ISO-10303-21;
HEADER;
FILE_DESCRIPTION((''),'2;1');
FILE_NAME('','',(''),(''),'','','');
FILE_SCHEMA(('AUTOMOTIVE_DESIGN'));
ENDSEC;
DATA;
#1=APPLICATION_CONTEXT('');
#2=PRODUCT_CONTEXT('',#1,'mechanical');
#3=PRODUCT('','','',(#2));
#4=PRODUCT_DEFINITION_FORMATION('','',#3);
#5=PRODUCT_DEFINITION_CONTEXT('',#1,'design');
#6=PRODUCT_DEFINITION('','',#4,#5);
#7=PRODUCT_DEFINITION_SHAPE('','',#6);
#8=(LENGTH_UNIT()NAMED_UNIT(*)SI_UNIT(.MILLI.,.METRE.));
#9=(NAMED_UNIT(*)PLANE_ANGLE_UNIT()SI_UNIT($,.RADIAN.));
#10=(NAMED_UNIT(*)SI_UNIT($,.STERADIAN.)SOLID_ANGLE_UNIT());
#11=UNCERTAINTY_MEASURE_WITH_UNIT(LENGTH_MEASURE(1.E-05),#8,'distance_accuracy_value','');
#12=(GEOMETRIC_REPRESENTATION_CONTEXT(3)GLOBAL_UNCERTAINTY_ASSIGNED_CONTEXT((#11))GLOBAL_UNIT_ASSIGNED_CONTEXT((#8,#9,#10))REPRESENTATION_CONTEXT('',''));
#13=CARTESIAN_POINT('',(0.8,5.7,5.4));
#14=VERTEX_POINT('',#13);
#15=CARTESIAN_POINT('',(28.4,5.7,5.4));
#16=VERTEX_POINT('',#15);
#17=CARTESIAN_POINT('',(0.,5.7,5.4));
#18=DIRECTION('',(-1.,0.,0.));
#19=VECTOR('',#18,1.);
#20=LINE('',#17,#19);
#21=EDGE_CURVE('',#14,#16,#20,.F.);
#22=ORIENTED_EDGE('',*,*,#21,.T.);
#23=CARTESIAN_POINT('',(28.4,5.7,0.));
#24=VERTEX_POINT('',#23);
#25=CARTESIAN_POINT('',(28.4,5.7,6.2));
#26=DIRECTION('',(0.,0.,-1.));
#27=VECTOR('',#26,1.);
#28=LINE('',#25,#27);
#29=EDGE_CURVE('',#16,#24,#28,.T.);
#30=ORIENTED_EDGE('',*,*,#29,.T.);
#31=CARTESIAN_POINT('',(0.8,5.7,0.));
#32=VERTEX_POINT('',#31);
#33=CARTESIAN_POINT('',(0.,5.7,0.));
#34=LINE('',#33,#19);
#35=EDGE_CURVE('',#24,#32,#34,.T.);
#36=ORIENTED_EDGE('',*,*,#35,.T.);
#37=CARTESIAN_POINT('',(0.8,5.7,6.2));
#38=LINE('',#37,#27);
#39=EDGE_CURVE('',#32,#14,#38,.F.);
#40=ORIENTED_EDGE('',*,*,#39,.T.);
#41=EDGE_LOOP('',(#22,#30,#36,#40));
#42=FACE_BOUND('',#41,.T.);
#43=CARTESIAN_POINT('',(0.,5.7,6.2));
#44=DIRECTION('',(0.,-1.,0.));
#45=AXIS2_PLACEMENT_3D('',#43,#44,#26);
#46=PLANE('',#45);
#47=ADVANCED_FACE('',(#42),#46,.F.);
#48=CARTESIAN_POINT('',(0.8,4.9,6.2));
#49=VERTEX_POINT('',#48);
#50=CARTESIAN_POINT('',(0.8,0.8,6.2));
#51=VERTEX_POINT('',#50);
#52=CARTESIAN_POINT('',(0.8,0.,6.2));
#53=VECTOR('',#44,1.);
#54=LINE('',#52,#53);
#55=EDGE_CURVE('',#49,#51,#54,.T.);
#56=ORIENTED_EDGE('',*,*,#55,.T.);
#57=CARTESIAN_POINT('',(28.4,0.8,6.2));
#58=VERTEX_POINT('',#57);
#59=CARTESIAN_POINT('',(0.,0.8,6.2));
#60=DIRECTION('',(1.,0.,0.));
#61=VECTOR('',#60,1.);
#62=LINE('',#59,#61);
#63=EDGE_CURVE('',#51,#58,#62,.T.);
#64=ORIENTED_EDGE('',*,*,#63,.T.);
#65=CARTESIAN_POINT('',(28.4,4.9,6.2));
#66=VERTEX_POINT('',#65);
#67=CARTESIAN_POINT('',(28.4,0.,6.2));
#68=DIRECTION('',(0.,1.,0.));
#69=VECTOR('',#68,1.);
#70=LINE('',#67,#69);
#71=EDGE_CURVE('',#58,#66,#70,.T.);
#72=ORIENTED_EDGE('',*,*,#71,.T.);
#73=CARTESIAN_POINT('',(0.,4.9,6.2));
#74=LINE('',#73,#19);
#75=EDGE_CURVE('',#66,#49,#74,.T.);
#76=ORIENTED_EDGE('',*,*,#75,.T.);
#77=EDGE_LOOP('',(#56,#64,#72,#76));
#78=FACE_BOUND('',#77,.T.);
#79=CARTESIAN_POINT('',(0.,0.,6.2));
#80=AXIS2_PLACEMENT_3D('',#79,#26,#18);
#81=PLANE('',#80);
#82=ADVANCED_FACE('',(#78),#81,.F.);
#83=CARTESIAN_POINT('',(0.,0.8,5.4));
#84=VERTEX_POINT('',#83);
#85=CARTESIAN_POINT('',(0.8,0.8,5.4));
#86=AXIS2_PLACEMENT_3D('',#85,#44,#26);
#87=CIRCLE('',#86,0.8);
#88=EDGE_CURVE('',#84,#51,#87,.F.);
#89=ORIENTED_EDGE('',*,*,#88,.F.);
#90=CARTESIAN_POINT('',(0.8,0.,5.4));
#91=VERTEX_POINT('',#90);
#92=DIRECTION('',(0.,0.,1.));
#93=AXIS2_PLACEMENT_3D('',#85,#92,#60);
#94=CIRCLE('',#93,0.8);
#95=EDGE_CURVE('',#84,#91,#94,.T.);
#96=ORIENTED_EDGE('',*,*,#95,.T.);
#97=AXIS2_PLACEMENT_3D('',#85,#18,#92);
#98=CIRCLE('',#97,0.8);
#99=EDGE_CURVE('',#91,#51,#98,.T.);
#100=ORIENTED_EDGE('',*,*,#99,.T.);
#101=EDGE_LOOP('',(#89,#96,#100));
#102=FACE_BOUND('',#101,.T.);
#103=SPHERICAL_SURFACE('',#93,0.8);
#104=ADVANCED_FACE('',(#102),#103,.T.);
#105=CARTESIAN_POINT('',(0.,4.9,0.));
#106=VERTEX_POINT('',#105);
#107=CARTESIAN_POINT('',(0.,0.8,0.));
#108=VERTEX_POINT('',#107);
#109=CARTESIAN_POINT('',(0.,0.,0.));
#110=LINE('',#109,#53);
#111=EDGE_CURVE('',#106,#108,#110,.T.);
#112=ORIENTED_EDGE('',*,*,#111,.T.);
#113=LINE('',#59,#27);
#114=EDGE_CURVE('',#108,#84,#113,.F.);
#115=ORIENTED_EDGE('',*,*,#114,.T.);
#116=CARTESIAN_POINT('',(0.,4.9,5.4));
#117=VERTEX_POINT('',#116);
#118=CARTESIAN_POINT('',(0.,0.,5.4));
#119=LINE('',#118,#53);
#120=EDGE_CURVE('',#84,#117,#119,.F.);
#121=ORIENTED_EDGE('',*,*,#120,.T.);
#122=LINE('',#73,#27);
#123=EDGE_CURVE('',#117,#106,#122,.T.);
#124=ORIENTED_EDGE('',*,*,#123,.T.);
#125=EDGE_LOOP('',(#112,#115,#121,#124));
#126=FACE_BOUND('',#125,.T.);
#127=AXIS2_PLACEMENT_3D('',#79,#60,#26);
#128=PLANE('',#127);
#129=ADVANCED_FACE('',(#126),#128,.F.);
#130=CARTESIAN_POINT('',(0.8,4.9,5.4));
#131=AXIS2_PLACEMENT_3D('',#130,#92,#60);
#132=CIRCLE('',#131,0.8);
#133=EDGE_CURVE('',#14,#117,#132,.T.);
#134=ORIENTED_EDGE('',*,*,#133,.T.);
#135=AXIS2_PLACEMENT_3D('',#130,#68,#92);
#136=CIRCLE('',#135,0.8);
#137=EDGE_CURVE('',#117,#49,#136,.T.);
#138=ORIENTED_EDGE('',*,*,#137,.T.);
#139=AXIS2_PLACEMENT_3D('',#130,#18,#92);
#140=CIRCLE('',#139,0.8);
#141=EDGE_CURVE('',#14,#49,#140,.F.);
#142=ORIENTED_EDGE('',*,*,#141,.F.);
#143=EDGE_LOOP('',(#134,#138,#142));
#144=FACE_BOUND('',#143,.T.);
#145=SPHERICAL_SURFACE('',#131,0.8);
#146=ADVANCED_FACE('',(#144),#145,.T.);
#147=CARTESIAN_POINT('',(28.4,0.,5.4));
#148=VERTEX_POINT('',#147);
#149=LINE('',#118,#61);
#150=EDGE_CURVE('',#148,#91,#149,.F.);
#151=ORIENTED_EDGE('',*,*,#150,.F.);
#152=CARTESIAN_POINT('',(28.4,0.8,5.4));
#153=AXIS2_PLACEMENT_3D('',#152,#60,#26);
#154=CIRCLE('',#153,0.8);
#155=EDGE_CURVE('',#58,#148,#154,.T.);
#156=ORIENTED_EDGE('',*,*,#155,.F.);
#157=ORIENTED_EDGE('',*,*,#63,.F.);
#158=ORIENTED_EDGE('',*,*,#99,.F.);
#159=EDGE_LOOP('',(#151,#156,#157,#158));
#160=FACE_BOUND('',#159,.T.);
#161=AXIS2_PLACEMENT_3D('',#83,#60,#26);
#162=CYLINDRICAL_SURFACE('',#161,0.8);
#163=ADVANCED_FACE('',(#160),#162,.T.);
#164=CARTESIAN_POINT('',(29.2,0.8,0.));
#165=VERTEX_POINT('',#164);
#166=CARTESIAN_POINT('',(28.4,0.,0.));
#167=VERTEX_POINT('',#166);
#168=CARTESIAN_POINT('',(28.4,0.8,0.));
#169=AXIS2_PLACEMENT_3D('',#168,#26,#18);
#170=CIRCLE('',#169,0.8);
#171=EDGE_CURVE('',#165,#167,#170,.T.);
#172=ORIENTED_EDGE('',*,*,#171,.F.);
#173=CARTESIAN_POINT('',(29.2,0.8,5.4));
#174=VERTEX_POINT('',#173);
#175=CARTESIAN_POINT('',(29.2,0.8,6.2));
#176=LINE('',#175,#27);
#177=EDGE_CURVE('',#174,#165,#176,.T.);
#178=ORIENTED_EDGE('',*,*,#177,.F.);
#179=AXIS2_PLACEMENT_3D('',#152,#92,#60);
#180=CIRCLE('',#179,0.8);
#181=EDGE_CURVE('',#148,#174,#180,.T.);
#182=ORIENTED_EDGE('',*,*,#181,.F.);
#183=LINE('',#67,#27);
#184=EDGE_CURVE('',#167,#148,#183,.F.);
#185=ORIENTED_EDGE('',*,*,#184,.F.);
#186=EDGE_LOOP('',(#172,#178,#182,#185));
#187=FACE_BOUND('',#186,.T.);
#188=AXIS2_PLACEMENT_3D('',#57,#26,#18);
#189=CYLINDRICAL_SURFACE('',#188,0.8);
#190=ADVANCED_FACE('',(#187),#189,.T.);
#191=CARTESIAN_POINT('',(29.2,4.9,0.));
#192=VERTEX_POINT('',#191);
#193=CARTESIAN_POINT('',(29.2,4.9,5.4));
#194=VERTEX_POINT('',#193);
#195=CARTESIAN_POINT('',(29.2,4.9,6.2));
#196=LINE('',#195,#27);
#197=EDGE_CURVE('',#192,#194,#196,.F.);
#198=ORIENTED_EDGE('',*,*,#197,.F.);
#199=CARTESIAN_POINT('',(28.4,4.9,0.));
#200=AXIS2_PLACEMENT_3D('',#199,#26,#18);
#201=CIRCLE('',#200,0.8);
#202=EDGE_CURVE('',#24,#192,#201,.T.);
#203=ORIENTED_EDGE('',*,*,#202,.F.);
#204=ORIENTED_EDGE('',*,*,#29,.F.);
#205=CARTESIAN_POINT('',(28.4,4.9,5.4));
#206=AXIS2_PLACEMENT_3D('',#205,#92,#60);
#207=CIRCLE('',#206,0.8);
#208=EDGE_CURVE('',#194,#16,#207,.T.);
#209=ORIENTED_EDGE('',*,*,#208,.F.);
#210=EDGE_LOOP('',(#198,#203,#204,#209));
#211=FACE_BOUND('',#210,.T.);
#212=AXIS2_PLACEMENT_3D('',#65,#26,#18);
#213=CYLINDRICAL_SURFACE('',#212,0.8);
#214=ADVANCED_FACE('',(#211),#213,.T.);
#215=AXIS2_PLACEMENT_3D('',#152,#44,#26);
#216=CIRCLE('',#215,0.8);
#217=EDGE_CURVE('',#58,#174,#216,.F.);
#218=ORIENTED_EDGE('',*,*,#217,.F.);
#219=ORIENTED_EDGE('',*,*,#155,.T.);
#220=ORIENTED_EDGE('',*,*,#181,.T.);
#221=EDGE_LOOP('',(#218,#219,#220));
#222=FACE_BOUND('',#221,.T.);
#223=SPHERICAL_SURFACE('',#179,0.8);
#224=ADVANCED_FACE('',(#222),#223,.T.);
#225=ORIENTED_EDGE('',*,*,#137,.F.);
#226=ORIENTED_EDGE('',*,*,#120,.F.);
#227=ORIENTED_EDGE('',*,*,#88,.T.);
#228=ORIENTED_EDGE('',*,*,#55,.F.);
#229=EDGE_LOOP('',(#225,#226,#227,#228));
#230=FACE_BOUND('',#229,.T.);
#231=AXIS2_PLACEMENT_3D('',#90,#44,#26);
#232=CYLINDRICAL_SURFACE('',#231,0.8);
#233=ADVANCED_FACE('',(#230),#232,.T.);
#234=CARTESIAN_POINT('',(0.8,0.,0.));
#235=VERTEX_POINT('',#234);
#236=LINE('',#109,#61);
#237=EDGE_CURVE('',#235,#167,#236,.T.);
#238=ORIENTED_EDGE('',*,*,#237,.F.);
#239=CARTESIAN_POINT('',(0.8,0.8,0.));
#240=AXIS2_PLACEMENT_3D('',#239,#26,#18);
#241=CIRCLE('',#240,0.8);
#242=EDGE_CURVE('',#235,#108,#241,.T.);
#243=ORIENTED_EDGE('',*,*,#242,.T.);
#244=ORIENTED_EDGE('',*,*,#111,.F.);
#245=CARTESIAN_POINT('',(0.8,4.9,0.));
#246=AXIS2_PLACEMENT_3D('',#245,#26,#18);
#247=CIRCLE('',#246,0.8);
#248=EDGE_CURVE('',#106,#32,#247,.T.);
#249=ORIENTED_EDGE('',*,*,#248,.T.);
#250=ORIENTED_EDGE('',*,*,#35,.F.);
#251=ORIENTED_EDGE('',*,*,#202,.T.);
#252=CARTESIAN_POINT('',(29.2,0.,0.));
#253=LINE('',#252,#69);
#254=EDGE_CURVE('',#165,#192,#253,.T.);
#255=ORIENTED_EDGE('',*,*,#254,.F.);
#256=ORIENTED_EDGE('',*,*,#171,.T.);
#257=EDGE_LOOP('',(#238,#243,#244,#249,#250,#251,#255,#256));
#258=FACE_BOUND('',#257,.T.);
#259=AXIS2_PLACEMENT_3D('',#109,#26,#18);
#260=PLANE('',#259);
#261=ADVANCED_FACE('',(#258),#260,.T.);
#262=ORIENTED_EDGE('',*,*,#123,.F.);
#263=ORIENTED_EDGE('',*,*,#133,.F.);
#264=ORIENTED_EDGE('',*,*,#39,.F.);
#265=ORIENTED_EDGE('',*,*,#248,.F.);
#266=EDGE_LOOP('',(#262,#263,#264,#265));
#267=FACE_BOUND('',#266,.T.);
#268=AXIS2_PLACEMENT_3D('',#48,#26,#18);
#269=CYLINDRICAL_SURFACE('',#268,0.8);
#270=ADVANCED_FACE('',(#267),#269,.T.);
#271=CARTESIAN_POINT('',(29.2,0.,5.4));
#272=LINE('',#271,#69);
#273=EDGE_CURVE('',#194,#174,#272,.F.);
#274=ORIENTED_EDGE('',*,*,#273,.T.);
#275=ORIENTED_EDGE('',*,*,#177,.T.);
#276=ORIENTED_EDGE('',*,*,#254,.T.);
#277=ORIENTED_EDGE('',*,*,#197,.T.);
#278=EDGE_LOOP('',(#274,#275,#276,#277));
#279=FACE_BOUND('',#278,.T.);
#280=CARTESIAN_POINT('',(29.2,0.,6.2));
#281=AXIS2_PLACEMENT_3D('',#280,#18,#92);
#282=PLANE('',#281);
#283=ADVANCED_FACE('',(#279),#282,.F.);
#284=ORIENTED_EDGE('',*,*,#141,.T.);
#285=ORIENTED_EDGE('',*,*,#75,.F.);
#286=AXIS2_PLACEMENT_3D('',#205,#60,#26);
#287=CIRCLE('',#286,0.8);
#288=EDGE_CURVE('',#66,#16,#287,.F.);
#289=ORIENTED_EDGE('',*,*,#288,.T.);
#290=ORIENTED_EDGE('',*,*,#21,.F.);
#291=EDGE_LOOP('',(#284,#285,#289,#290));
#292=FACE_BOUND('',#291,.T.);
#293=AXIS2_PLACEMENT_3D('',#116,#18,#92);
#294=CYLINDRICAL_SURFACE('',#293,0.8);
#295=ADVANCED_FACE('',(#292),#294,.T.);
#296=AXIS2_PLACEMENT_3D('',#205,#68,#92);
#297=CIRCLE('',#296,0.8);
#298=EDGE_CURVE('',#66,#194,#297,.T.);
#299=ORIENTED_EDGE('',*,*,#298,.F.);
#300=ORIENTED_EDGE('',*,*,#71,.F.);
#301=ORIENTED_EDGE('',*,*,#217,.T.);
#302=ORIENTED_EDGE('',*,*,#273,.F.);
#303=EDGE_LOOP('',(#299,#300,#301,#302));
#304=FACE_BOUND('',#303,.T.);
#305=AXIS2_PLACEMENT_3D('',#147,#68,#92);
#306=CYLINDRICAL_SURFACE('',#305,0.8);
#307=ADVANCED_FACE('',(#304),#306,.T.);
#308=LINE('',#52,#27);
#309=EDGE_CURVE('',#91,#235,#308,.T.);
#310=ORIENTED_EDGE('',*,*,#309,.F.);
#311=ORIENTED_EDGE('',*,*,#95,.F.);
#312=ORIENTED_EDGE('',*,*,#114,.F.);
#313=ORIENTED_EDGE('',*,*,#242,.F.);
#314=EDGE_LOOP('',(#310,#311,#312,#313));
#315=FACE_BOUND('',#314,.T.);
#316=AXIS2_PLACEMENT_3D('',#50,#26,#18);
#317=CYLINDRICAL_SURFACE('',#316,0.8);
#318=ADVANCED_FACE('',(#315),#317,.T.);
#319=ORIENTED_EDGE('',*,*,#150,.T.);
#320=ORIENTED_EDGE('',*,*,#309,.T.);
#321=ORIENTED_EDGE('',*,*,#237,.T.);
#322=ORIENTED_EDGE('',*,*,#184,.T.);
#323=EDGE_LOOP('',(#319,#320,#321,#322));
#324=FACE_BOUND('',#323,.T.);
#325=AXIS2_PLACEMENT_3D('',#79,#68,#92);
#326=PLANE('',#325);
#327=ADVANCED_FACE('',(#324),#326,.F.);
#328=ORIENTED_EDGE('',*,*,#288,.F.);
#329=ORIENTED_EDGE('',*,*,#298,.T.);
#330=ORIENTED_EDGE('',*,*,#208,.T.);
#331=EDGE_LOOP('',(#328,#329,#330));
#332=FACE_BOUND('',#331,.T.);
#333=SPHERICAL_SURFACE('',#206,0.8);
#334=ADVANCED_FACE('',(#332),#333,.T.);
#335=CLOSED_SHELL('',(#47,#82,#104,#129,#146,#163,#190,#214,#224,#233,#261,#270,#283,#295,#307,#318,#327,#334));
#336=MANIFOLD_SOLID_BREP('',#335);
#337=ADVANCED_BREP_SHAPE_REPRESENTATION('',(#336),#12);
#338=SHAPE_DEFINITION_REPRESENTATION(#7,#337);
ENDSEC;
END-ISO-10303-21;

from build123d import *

# Parameters (mm, degrees)
SKETCH1_W           = 29.2
SKETCH1_H           = 5.7
BOSS_EXTRUDE1_DEPTH = 6.2
FILLET1_R           = 0.8


with BuildPart() as part:
    # Sketch1 → Boss-Extrude1 (new body)
    with BuildSketch(Plane.XY):
        with Locations((14.6, 2.85)):
            Rectangle(SKETCH1_W, SKETCH1_H)
    extrude(amount=BOSS_EXTRUDE1_DEPTH)

    # Fillet1
    fillet1_edges = [part.edges().sort_by_distance(p)[0] for p in [
        (29.2, 2.85, 6.2),
        (14.6, 5.7, 6.2),
        (0, 2.85, 6.2),
        (14.6, 0, 6.2),
        (0, 5.7, 3.1),
        (29.2, 5.7, 3.1),
        (29.2, 0, 3.1),
        (0, 0, 3.1),
    ]]
    fillet(fillet1_edges, radius=FILLET1_R)


solid = part.part
